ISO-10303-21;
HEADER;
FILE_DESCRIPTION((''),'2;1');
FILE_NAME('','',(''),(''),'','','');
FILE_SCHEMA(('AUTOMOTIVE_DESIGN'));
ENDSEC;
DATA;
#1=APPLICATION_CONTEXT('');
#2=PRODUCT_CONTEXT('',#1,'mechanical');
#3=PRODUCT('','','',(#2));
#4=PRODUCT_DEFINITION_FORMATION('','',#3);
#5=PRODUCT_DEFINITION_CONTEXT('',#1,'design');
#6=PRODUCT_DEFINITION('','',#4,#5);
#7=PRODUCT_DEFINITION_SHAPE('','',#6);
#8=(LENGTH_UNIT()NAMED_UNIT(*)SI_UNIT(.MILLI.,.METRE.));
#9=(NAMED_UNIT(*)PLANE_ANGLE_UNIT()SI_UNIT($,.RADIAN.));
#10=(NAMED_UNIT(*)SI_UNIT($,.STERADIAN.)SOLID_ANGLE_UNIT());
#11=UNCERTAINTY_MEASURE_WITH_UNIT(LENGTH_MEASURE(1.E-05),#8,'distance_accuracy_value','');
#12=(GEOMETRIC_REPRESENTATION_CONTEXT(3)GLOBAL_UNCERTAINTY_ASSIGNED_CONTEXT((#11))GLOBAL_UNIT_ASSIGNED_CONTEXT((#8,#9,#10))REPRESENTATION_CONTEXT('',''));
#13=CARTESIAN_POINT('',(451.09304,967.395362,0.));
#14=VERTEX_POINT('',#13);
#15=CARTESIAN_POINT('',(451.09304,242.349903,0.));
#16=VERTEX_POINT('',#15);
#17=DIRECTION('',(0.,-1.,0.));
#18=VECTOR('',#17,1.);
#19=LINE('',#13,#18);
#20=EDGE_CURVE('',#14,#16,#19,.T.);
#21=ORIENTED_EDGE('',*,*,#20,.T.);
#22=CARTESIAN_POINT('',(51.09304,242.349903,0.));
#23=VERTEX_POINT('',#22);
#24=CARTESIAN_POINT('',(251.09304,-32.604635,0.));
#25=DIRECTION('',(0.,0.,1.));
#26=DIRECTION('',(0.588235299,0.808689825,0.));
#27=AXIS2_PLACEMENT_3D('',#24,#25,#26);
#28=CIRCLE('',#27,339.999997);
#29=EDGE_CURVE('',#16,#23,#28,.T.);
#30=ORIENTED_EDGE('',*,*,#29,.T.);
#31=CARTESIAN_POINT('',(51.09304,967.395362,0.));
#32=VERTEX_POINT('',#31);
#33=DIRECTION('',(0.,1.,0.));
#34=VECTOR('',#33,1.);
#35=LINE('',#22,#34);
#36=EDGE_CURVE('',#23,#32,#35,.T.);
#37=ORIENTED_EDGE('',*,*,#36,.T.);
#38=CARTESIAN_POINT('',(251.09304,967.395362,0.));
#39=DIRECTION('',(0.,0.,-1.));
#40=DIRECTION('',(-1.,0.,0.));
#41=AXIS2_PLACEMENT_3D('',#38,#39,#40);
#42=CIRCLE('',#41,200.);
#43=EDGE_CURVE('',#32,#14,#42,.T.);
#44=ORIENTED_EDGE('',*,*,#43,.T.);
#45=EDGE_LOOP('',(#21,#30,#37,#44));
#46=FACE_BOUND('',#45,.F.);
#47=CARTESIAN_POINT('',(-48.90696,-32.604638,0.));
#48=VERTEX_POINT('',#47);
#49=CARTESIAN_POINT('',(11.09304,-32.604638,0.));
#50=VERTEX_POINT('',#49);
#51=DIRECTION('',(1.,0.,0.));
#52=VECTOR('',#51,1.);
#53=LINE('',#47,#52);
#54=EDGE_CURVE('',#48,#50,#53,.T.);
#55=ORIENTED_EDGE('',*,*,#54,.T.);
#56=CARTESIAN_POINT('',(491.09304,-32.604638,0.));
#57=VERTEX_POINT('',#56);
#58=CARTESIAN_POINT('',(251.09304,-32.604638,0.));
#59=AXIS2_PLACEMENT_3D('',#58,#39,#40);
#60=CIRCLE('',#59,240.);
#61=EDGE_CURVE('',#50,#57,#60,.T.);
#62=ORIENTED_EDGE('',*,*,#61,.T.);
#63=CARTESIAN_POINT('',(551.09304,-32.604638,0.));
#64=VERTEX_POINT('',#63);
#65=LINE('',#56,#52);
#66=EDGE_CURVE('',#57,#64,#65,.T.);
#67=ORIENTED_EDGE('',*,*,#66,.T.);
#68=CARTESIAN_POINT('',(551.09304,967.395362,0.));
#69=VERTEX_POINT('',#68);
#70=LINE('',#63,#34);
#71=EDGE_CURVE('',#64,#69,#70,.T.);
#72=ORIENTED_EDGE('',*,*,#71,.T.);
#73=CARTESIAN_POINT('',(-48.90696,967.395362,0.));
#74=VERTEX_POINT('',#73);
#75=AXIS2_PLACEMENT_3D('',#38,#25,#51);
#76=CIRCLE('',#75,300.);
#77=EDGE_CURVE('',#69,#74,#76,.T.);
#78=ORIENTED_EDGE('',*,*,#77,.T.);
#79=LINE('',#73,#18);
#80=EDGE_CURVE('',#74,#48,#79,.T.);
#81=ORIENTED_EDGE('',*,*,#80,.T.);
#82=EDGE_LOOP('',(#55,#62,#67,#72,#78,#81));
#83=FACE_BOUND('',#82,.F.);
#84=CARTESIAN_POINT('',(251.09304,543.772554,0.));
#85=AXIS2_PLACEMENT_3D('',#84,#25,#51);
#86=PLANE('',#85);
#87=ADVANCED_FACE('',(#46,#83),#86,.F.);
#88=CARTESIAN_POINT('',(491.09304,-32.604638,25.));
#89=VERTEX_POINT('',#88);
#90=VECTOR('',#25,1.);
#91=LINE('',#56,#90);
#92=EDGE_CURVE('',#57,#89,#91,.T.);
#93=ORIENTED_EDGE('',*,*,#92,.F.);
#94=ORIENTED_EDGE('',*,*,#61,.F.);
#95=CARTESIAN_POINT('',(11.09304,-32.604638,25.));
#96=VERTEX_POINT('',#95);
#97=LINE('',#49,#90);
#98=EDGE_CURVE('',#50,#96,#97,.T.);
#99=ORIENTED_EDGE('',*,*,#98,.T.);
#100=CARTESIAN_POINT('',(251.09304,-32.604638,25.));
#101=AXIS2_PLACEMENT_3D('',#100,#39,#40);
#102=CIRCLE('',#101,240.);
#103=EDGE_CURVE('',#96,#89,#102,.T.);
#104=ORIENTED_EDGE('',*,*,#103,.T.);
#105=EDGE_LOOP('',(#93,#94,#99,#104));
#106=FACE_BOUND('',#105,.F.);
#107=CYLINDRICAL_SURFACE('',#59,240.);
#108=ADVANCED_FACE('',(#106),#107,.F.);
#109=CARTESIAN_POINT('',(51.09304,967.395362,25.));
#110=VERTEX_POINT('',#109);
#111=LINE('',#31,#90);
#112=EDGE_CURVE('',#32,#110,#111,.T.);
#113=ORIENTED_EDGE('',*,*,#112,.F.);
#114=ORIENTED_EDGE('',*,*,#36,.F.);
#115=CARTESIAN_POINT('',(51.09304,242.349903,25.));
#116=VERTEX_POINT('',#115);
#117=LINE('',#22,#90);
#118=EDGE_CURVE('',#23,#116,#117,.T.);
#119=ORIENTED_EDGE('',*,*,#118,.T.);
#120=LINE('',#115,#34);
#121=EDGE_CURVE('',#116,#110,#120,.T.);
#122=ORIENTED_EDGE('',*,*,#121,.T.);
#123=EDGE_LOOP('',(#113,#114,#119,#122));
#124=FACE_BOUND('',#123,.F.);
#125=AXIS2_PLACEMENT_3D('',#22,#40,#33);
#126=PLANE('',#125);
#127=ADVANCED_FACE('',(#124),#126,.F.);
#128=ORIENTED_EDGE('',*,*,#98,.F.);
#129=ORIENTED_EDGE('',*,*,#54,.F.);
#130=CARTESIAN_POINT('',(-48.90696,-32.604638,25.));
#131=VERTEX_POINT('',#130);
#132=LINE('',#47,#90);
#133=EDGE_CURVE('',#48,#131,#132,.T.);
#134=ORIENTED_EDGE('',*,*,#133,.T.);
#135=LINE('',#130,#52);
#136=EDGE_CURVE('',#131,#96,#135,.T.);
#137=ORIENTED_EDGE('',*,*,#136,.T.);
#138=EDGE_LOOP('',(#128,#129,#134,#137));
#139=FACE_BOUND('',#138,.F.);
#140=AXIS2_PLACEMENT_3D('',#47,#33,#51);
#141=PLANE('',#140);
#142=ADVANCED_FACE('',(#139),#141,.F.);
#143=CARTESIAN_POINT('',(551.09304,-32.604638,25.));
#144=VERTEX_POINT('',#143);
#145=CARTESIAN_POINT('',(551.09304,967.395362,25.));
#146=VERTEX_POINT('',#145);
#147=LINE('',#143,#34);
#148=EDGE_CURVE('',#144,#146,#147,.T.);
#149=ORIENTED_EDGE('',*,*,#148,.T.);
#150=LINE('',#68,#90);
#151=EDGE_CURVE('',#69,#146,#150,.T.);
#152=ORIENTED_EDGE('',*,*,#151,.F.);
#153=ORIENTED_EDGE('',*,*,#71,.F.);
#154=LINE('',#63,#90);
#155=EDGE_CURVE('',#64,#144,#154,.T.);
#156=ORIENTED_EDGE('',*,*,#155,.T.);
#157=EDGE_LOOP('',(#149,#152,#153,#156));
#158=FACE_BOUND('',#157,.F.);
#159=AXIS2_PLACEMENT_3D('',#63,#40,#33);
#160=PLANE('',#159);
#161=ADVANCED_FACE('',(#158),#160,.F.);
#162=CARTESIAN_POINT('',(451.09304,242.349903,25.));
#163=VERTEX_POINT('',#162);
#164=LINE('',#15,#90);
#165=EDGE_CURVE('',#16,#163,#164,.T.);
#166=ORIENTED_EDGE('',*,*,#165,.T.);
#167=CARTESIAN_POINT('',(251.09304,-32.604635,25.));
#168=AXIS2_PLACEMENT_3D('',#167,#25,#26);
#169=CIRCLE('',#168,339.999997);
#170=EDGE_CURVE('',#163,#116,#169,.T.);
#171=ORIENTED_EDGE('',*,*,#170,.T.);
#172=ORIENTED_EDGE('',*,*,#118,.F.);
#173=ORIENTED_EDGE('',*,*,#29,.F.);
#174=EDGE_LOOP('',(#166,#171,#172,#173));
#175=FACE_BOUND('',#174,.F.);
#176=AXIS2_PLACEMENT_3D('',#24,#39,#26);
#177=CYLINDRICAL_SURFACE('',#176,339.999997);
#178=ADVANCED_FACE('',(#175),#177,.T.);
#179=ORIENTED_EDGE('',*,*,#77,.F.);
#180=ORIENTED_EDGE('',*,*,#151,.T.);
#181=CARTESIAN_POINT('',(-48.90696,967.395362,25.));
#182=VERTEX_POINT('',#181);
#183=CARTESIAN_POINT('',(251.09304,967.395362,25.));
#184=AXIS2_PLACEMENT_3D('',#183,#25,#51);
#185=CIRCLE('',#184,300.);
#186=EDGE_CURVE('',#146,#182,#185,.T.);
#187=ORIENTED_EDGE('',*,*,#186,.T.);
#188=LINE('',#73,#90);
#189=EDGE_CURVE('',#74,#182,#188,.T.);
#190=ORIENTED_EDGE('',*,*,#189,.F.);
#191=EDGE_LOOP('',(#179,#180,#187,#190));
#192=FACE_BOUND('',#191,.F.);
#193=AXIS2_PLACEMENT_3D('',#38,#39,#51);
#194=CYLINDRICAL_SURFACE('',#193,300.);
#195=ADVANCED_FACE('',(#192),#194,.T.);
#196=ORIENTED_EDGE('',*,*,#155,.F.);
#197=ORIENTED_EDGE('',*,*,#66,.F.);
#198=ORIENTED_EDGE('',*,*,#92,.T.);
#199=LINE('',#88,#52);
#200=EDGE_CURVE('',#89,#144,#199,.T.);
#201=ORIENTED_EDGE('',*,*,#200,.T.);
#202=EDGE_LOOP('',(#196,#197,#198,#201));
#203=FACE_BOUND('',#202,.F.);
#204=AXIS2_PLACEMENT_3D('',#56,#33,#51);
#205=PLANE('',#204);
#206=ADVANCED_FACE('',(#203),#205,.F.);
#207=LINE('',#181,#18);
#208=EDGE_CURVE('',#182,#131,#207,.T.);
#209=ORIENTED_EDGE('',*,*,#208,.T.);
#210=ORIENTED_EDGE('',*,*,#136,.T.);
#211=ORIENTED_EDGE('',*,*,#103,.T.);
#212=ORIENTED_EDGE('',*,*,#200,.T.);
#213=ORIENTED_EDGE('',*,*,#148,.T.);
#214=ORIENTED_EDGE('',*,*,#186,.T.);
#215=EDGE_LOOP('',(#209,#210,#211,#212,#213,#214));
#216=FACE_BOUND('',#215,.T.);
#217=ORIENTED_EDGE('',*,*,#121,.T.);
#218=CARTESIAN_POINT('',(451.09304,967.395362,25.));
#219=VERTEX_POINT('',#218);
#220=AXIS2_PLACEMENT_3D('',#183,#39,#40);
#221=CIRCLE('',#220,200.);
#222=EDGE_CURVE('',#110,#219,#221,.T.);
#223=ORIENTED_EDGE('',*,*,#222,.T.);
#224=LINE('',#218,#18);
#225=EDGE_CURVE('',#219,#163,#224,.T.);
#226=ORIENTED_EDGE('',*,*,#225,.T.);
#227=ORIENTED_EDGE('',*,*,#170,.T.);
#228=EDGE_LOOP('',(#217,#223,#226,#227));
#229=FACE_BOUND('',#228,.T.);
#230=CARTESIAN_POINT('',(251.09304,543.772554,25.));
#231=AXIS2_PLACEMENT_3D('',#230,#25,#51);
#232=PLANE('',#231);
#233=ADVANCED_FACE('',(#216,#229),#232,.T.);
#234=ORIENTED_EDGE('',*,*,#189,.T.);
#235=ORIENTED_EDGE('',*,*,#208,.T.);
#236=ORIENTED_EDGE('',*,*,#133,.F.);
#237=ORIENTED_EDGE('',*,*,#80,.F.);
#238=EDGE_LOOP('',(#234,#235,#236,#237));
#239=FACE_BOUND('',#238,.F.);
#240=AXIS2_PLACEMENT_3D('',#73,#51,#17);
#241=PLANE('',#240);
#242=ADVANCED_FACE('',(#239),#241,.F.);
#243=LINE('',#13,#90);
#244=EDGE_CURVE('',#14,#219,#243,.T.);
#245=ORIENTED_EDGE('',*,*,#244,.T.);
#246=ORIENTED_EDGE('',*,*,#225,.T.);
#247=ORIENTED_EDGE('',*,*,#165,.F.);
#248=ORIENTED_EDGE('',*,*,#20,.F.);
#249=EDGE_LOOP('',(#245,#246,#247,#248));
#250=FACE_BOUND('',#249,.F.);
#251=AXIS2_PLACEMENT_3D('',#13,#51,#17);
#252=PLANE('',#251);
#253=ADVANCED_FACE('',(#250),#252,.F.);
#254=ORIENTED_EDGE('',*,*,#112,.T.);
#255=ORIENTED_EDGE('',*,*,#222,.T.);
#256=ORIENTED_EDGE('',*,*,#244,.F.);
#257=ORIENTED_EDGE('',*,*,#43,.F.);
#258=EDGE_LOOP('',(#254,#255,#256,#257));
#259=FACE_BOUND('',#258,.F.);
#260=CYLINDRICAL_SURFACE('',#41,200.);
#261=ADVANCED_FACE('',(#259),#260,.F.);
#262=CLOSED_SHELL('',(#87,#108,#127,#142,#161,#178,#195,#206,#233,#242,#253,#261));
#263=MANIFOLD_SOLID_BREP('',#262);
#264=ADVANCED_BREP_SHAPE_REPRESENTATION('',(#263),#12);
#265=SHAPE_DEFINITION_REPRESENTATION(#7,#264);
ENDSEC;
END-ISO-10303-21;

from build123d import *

# Parameters (mm, degrees)
F1_DEPTH = 25


with BuildPart() as f1:
    # F0 (on Top) → F1 (new body)
    with BuildSketch(Plane.XY):
        with BuildLine():
            Line((-48.90696, 967.395362), (-48.90696, -32.604638))
            Line((-48.90696, -32.604638), (11.09304, -32.604638))
            ThreePointArc((11.09304, -32.604638), (251.09304, 207.395362), (491.09304, -32.604638))
            Line((491.09304, -32.604638), (551.09304, -32.604638))
            Line((551.09304, -32.604638), (551.09304, 967.395362))
            ThreePointArc((551.09304, 967.395362), (251.09304, 1267.395362), (-48.90696, 967.395362))
        make_face()
        with BuildLine():
            Line((451.09304, 967.395362), (451.09304, 242.349903))
            ThreePointArc((451.09304, 242.349903), (251.09304, 307.395362), (51.09304, 242.349903))
            Line((51.09304, 242.349903), (51.09304, 967.395362))
            ThreePointArc((51.09304, 967.395362), (251.09304, 1167.395362), (451.09304, 967.395362))
        make_face(mode=Mode.SUBTRACT)
    extrude(amount=F1_DEPTH)


solid = f1.part
